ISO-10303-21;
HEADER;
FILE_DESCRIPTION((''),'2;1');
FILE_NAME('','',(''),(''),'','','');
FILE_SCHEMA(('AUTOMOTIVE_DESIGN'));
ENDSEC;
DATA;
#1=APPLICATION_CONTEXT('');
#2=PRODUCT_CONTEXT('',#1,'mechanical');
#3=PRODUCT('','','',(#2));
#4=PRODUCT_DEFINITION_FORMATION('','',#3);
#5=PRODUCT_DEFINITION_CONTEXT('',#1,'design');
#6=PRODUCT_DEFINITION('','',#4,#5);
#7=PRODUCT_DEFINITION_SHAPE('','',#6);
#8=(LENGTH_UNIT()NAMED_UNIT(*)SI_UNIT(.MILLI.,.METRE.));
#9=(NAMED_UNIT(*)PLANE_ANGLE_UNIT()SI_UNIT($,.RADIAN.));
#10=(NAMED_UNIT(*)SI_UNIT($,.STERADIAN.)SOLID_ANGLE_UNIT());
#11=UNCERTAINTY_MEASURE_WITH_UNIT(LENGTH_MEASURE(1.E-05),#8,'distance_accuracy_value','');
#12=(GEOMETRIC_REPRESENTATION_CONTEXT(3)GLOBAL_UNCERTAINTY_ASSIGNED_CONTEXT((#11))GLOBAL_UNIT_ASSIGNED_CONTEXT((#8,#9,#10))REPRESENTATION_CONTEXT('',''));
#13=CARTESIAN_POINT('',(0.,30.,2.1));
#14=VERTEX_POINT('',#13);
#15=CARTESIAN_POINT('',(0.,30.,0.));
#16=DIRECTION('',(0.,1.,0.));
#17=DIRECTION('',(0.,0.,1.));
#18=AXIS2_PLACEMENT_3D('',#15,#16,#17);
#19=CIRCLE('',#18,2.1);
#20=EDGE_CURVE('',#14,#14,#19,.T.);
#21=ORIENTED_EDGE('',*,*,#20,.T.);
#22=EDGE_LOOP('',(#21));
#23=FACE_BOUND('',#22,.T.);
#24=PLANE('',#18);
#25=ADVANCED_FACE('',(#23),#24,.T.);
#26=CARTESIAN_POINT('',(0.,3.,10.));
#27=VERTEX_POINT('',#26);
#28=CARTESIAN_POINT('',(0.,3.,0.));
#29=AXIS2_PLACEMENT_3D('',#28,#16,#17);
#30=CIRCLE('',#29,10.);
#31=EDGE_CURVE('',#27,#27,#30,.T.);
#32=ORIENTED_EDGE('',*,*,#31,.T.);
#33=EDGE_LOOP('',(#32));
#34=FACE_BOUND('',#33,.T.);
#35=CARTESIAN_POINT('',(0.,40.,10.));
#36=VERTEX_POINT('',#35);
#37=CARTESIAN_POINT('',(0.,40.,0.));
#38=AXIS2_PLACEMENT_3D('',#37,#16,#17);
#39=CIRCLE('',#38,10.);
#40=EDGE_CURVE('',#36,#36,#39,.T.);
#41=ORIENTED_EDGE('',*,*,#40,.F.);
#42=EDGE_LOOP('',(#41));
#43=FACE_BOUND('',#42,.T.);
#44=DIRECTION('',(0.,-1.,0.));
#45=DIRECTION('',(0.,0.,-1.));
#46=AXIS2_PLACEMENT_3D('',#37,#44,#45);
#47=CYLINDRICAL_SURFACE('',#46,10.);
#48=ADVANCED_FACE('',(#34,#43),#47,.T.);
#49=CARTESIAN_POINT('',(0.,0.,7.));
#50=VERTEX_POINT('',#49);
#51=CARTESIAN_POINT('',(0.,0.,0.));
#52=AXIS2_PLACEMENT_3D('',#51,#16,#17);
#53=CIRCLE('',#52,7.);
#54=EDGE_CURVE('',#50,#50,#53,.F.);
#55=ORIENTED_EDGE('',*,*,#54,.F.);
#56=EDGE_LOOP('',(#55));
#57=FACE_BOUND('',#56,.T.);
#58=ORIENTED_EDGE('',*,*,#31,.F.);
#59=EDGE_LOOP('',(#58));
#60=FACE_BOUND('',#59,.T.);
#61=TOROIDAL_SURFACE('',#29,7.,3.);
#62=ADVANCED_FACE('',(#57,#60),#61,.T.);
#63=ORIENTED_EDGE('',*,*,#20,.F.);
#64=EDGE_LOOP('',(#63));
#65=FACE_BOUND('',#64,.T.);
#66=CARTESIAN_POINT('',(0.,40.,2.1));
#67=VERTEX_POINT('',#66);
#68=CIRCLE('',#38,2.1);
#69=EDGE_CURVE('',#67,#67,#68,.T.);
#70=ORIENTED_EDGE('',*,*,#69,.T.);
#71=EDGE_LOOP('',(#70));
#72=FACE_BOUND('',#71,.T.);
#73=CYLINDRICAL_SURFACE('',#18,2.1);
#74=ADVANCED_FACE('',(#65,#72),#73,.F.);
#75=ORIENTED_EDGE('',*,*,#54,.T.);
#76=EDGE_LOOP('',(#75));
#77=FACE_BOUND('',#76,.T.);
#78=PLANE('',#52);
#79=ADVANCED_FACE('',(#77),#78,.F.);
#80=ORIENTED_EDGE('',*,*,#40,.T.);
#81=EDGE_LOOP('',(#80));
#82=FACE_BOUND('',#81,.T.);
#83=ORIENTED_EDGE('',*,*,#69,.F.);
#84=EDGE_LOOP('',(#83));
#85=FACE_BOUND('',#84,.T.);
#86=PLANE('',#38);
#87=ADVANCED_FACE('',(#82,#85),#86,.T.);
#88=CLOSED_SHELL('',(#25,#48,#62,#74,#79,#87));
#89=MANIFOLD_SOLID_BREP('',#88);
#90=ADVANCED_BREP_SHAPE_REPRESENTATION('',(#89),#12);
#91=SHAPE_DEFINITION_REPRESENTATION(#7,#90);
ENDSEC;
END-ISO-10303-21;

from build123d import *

# Parameters (mm, degrees)
SKETCH1_R           = 10
BOSS_EXTRUDE1_DEPTH = 40
FILLET1_R           = 3
SKETCH3_R           = 2.1
CUT_EXTRUDE1_DEPTH  = 10


with BuildPart() as part:
    # Sketch1 → Boss-Extrude1 (new body)
    with BuildSketch(Plane(origin=(0, 0, 0), x_dir=(1, 0, 0), z_dir=(0, 1, 0))):
        Circle(SKETCH1_R)
    extrude(amount=BOSS_EXTRUDE1_DEPTH)

    # Fillet1
    fillet1_edges = [part.edges().sort_by_distance(p)[0] for p in [
        (-10, 0, 0),
    ]]
    fillet(fillet1_edges, radius=FILLET1_R)

    # Sketch3 → Cut-Extrude1 (cut)
    with BuildSketch(Plane(origin=(0, 40, 0), x_dir=(1, 0, 0), z_dir=(0, 1, 0))):
        Circle(SKETCH3_R)
    extrude(amount=-CUT_EXTRUDE1_DEPTH, mode=Mode.SUBTRACT)


solid = part.part
